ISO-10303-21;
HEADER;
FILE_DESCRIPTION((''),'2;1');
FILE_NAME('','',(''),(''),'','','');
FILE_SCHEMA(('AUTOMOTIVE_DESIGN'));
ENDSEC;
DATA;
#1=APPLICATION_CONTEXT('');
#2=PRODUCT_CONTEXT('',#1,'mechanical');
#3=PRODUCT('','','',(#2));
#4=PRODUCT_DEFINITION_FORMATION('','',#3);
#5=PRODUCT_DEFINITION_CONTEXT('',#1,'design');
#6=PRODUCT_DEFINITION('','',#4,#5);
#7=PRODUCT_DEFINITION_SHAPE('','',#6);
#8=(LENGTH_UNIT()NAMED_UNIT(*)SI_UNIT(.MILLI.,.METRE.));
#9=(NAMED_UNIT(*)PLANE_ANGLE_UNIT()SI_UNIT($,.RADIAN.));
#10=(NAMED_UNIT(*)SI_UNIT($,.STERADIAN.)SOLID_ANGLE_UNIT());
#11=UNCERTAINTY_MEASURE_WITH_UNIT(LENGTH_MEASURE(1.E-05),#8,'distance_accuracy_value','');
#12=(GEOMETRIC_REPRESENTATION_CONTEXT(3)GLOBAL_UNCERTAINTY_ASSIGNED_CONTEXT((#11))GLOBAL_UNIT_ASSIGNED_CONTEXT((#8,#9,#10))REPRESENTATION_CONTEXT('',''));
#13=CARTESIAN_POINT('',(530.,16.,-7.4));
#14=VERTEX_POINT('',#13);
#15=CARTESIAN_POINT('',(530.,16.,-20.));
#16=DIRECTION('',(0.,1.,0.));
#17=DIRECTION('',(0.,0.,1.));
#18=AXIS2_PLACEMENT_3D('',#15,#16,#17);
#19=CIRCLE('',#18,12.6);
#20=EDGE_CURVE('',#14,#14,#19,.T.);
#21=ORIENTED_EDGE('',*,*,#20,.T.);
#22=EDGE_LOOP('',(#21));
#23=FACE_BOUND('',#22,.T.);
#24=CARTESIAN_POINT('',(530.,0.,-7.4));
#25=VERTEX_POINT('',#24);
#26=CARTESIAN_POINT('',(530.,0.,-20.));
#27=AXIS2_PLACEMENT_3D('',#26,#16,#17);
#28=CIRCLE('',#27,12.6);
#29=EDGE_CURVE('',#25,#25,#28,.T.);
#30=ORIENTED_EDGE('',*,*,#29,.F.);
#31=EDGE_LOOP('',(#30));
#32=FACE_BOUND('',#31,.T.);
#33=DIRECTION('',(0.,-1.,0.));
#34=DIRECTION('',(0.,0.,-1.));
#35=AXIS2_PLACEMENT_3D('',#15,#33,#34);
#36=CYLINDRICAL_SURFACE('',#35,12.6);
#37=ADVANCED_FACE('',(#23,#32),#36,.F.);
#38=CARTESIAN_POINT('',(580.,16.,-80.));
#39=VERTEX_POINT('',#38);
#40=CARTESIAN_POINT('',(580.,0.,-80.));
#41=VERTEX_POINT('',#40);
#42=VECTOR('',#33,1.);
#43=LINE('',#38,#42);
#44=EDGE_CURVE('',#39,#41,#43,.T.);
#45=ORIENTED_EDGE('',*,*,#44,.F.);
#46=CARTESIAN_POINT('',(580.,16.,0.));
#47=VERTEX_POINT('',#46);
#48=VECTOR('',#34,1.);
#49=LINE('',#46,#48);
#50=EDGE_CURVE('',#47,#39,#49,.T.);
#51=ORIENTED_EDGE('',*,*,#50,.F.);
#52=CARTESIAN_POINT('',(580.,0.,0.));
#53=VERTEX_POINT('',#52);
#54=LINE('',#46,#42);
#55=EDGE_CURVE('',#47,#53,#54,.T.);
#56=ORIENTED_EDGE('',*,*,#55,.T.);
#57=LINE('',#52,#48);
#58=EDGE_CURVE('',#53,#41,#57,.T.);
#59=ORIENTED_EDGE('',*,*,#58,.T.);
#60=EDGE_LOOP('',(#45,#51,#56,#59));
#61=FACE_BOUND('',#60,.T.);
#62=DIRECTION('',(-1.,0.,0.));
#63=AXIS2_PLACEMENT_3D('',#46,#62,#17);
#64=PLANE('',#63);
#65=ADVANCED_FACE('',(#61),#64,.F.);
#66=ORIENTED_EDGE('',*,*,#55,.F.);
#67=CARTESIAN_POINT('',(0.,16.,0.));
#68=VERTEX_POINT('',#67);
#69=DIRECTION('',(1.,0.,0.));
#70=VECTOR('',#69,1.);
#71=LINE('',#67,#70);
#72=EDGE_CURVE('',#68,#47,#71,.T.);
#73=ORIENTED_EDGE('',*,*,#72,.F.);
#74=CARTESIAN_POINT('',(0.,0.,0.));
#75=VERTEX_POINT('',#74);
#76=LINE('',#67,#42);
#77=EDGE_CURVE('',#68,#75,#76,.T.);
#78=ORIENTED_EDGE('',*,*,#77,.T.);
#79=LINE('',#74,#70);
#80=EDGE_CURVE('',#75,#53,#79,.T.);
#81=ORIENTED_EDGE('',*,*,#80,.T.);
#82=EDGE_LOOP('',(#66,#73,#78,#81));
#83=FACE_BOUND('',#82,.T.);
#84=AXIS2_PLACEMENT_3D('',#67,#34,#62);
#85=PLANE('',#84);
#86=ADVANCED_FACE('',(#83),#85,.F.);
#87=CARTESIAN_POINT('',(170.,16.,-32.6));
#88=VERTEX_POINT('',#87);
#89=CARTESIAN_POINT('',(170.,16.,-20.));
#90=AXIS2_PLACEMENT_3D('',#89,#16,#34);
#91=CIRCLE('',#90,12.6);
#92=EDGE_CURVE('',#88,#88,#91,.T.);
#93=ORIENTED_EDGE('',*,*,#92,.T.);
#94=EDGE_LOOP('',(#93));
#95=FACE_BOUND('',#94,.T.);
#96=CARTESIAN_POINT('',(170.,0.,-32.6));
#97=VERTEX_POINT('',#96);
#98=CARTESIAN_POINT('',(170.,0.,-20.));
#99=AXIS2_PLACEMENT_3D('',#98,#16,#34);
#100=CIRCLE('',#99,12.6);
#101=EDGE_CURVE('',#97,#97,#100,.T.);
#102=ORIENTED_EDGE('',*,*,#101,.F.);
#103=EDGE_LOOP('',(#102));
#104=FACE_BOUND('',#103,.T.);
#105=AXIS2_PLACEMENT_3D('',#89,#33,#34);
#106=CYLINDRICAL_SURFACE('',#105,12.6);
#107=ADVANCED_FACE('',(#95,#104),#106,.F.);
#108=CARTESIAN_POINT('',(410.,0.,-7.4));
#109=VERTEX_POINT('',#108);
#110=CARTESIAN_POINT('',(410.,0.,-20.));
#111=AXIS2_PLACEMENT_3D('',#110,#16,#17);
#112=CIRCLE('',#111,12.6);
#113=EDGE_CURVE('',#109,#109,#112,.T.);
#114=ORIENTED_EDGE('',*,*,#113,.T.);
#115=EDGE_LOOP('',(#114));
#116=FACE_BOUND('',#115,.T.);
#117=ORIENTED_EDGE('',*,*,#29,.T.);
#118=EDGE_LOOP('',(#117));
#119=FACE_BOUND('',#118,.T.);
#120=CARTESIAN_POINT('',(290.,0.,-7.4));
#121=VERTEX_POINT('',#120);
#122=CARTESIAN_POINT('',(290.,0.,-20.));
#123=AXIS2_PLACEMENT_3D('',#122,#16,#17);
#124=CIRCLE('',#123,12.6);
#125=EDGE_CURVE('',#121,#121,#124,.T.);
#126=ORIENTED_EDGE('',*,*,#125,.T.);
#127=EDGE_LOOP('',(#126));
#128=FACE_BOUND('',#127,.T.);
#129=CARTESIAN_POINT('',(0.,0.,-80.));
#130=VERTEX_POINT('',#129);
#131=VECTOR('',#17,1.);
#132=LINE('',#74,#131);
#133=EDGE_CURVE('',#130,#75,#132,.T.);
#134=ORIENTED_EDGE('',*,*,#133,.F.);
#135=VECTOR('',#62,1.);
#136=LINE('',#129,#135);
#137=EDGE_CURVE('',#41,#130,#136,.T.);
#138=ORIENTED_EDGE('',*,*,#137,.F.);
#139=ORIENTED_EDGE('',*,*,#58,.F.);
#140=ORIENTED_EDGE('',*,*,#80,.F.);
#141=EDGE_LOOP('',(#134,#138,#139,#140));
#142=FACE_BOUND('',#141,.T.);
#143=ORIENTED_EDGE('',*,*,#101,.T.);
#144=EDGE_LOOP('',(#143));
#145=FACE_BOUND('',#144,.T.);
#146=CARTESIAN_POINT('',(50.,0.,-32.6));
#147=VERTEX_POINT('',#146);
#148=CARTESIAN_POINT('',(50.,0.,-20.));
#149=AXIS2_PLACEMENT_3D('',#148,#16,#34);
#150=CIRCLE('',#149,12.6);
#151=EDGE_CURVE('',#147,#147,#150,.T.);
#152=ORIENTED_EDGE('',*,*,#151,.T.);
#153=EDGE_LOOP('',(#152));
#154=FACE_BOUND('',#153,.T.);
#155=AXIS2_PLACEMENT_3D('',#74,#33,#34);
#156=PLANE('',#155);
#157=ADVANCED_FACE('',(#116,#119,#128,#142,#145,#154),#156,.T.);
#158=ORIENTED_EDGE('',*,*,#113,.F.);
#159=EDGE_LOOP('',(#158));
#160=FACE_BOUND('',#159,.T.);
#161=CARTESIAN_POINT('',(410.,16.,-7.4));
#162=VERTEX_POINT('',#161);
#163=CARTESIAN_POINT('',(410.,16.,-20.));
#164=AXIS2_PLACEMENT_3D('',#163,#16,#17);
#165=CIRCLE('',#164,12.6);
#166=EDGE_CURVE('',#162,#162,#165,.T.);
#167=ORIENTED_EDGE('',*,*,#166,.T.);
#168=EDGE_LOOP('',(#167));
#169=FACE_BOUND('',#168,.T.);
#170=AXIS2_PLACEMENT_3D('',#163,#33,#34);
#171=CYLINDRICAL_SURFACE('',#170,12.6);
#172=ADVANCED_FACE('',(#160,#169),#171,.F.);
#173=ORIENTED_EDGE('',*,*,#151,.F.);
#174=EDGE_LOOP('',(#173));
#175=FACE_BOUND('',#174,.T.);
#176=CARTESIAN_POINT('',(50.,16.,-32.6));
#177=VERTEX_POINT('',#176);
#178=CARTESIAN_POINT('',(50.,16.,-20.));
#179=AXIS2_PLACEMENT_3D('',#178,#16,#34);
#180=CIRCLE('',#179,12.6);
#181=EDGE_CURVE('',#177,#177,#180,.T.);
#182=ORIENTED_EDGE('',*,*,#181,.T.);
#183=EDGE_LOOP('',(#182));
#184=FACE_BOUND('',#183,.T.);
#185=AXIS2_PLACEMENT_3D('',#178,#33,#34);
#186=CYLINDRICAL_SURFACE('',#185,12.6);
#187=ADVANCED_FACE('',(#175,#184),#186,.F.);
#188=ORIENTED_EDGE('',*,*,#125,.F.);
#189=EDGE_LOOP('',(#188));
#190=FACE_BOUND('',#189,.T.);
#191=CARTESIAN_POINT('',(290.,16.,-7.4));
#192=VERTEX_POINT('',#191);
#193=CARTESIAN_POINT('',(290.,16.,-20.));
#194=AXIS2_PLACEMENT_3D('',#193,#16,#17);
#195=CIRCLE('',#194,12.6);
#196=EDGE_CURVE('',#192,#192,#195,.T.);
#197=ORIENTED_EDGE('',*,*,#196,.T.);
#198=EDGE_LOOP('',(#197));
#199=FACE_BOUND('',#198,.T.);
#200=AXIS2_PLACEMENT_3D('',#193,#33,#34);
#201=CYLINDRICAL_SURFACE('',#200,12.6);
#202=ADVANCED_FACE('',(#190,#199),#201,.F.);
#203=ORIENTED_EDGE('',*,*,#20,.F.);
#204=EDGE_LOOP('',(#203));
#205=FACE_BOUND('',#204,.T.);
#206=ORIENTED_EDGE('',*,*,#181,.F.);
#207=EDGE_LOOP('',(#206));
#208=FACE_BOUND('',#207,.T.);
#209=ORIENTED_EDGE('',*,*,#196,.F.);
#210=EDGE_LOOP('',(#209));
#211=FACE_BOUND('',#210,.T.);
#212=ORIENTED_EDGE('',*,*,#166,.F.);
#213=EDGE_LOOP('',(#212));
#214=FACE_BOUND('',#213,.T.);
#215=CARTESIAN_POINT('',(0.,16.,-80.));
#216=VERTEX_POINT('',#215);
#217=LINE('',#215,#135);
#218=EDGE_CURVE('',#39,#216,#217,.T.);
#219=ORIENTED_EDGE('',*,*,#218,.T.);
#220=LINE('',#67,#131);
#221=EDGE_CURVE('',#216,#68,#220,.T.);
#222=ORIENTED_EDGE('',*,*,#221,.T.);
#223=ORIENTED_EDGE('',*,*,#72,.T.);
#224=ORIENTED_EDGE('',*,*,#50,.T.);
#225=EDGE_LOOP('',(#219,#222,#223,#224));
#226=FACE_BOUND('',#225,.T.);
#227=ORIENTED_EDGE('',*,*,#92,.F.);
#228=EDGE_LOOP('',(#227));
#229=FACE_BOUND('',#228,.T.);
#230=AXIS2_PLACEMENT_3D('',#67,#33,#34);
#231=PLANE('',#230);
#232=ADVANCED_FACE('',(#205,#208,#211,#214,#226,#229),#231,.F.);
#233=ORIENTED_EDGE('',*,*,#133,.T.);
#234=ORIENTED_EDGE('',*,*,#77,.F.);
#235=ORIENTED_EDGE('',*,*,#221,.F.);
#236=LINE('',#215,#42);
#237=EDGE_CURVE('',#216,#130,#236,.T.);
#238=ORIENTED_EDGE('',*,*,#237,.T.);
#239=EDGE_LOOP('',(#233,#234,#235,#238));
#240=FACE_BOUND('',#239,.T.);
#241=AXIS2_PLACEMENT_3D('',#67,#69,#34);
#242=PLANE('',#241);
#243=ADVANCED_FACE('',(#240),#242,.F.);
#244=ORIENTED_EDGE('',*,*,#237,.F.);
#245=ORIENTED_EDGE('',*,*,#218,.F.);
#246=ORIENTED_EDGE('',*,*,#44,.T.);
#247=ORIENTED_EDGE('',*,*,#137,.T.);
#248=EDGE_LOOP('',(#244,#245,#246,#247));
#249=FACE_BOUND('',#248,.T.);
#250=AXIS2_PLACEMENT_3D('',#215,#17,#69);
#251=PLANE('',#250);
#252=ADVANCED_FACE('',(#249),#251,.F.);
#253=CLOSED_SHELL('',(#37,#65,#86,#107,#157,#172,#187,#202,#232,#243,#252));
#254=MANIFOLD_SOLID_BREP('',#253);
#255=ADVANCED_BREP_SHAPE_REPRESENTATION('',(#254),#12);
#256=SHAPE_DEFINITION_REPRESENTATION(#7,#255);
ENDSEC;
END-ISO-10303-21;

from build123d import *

# Parameters (mm, degrees)
SKETCH8_W           = 580
SKETCH8_H           = 80
SKETCH8_R           = 12.6
BOSS_EXTRUDE9_DEPTH = 16


with BuildPart() as part:
    # Sketch8 → Boss-Extrude9 (new body)
    with BuildSketch(Plane(origin=(0, 0, 0), x_dir=(1, 0, 0), z_dir=(0, 1, 0))):
        with Locations((290, 40)):
            Rectangle(SKETCH8_W, SKETCH8_H)
        with Locations(Location((530, 20, 0), (0, 0, 270))):  # turned: the seam where the file's is
            Circle(SKETCH8_R, mode=Mode.SUBTRACT)
        with Locations(Location((410, 20, 0), (0, 0, 270))):  # turned: the seam where the file's is
            Circle(SKETCH8_R, mode=Mode.SUBTRACT)
        with Locations(Location((290, 20, 0), (0, 0, 270))):  # turned: the seam where the file's is
            Circle(SKETCH8_R, mode=Mode.SUBTRACT)
        with Locations(Location((50, 20, 0), (0, 0, 90))):  # turned: the seam where the file's is
            Circle(SKETCH8_R, mode=Mode.SUBTRACT)
        with Locations(Location((170, 20, 0), (0, 0, 90))):  # turned: the seam where the file's is
            Circle(SKETCH8_R, mode=Mode.SUBTRACT)
    extrude(amount=BOSS_EXTRUDE9_DEPTH)


solid = part.part
